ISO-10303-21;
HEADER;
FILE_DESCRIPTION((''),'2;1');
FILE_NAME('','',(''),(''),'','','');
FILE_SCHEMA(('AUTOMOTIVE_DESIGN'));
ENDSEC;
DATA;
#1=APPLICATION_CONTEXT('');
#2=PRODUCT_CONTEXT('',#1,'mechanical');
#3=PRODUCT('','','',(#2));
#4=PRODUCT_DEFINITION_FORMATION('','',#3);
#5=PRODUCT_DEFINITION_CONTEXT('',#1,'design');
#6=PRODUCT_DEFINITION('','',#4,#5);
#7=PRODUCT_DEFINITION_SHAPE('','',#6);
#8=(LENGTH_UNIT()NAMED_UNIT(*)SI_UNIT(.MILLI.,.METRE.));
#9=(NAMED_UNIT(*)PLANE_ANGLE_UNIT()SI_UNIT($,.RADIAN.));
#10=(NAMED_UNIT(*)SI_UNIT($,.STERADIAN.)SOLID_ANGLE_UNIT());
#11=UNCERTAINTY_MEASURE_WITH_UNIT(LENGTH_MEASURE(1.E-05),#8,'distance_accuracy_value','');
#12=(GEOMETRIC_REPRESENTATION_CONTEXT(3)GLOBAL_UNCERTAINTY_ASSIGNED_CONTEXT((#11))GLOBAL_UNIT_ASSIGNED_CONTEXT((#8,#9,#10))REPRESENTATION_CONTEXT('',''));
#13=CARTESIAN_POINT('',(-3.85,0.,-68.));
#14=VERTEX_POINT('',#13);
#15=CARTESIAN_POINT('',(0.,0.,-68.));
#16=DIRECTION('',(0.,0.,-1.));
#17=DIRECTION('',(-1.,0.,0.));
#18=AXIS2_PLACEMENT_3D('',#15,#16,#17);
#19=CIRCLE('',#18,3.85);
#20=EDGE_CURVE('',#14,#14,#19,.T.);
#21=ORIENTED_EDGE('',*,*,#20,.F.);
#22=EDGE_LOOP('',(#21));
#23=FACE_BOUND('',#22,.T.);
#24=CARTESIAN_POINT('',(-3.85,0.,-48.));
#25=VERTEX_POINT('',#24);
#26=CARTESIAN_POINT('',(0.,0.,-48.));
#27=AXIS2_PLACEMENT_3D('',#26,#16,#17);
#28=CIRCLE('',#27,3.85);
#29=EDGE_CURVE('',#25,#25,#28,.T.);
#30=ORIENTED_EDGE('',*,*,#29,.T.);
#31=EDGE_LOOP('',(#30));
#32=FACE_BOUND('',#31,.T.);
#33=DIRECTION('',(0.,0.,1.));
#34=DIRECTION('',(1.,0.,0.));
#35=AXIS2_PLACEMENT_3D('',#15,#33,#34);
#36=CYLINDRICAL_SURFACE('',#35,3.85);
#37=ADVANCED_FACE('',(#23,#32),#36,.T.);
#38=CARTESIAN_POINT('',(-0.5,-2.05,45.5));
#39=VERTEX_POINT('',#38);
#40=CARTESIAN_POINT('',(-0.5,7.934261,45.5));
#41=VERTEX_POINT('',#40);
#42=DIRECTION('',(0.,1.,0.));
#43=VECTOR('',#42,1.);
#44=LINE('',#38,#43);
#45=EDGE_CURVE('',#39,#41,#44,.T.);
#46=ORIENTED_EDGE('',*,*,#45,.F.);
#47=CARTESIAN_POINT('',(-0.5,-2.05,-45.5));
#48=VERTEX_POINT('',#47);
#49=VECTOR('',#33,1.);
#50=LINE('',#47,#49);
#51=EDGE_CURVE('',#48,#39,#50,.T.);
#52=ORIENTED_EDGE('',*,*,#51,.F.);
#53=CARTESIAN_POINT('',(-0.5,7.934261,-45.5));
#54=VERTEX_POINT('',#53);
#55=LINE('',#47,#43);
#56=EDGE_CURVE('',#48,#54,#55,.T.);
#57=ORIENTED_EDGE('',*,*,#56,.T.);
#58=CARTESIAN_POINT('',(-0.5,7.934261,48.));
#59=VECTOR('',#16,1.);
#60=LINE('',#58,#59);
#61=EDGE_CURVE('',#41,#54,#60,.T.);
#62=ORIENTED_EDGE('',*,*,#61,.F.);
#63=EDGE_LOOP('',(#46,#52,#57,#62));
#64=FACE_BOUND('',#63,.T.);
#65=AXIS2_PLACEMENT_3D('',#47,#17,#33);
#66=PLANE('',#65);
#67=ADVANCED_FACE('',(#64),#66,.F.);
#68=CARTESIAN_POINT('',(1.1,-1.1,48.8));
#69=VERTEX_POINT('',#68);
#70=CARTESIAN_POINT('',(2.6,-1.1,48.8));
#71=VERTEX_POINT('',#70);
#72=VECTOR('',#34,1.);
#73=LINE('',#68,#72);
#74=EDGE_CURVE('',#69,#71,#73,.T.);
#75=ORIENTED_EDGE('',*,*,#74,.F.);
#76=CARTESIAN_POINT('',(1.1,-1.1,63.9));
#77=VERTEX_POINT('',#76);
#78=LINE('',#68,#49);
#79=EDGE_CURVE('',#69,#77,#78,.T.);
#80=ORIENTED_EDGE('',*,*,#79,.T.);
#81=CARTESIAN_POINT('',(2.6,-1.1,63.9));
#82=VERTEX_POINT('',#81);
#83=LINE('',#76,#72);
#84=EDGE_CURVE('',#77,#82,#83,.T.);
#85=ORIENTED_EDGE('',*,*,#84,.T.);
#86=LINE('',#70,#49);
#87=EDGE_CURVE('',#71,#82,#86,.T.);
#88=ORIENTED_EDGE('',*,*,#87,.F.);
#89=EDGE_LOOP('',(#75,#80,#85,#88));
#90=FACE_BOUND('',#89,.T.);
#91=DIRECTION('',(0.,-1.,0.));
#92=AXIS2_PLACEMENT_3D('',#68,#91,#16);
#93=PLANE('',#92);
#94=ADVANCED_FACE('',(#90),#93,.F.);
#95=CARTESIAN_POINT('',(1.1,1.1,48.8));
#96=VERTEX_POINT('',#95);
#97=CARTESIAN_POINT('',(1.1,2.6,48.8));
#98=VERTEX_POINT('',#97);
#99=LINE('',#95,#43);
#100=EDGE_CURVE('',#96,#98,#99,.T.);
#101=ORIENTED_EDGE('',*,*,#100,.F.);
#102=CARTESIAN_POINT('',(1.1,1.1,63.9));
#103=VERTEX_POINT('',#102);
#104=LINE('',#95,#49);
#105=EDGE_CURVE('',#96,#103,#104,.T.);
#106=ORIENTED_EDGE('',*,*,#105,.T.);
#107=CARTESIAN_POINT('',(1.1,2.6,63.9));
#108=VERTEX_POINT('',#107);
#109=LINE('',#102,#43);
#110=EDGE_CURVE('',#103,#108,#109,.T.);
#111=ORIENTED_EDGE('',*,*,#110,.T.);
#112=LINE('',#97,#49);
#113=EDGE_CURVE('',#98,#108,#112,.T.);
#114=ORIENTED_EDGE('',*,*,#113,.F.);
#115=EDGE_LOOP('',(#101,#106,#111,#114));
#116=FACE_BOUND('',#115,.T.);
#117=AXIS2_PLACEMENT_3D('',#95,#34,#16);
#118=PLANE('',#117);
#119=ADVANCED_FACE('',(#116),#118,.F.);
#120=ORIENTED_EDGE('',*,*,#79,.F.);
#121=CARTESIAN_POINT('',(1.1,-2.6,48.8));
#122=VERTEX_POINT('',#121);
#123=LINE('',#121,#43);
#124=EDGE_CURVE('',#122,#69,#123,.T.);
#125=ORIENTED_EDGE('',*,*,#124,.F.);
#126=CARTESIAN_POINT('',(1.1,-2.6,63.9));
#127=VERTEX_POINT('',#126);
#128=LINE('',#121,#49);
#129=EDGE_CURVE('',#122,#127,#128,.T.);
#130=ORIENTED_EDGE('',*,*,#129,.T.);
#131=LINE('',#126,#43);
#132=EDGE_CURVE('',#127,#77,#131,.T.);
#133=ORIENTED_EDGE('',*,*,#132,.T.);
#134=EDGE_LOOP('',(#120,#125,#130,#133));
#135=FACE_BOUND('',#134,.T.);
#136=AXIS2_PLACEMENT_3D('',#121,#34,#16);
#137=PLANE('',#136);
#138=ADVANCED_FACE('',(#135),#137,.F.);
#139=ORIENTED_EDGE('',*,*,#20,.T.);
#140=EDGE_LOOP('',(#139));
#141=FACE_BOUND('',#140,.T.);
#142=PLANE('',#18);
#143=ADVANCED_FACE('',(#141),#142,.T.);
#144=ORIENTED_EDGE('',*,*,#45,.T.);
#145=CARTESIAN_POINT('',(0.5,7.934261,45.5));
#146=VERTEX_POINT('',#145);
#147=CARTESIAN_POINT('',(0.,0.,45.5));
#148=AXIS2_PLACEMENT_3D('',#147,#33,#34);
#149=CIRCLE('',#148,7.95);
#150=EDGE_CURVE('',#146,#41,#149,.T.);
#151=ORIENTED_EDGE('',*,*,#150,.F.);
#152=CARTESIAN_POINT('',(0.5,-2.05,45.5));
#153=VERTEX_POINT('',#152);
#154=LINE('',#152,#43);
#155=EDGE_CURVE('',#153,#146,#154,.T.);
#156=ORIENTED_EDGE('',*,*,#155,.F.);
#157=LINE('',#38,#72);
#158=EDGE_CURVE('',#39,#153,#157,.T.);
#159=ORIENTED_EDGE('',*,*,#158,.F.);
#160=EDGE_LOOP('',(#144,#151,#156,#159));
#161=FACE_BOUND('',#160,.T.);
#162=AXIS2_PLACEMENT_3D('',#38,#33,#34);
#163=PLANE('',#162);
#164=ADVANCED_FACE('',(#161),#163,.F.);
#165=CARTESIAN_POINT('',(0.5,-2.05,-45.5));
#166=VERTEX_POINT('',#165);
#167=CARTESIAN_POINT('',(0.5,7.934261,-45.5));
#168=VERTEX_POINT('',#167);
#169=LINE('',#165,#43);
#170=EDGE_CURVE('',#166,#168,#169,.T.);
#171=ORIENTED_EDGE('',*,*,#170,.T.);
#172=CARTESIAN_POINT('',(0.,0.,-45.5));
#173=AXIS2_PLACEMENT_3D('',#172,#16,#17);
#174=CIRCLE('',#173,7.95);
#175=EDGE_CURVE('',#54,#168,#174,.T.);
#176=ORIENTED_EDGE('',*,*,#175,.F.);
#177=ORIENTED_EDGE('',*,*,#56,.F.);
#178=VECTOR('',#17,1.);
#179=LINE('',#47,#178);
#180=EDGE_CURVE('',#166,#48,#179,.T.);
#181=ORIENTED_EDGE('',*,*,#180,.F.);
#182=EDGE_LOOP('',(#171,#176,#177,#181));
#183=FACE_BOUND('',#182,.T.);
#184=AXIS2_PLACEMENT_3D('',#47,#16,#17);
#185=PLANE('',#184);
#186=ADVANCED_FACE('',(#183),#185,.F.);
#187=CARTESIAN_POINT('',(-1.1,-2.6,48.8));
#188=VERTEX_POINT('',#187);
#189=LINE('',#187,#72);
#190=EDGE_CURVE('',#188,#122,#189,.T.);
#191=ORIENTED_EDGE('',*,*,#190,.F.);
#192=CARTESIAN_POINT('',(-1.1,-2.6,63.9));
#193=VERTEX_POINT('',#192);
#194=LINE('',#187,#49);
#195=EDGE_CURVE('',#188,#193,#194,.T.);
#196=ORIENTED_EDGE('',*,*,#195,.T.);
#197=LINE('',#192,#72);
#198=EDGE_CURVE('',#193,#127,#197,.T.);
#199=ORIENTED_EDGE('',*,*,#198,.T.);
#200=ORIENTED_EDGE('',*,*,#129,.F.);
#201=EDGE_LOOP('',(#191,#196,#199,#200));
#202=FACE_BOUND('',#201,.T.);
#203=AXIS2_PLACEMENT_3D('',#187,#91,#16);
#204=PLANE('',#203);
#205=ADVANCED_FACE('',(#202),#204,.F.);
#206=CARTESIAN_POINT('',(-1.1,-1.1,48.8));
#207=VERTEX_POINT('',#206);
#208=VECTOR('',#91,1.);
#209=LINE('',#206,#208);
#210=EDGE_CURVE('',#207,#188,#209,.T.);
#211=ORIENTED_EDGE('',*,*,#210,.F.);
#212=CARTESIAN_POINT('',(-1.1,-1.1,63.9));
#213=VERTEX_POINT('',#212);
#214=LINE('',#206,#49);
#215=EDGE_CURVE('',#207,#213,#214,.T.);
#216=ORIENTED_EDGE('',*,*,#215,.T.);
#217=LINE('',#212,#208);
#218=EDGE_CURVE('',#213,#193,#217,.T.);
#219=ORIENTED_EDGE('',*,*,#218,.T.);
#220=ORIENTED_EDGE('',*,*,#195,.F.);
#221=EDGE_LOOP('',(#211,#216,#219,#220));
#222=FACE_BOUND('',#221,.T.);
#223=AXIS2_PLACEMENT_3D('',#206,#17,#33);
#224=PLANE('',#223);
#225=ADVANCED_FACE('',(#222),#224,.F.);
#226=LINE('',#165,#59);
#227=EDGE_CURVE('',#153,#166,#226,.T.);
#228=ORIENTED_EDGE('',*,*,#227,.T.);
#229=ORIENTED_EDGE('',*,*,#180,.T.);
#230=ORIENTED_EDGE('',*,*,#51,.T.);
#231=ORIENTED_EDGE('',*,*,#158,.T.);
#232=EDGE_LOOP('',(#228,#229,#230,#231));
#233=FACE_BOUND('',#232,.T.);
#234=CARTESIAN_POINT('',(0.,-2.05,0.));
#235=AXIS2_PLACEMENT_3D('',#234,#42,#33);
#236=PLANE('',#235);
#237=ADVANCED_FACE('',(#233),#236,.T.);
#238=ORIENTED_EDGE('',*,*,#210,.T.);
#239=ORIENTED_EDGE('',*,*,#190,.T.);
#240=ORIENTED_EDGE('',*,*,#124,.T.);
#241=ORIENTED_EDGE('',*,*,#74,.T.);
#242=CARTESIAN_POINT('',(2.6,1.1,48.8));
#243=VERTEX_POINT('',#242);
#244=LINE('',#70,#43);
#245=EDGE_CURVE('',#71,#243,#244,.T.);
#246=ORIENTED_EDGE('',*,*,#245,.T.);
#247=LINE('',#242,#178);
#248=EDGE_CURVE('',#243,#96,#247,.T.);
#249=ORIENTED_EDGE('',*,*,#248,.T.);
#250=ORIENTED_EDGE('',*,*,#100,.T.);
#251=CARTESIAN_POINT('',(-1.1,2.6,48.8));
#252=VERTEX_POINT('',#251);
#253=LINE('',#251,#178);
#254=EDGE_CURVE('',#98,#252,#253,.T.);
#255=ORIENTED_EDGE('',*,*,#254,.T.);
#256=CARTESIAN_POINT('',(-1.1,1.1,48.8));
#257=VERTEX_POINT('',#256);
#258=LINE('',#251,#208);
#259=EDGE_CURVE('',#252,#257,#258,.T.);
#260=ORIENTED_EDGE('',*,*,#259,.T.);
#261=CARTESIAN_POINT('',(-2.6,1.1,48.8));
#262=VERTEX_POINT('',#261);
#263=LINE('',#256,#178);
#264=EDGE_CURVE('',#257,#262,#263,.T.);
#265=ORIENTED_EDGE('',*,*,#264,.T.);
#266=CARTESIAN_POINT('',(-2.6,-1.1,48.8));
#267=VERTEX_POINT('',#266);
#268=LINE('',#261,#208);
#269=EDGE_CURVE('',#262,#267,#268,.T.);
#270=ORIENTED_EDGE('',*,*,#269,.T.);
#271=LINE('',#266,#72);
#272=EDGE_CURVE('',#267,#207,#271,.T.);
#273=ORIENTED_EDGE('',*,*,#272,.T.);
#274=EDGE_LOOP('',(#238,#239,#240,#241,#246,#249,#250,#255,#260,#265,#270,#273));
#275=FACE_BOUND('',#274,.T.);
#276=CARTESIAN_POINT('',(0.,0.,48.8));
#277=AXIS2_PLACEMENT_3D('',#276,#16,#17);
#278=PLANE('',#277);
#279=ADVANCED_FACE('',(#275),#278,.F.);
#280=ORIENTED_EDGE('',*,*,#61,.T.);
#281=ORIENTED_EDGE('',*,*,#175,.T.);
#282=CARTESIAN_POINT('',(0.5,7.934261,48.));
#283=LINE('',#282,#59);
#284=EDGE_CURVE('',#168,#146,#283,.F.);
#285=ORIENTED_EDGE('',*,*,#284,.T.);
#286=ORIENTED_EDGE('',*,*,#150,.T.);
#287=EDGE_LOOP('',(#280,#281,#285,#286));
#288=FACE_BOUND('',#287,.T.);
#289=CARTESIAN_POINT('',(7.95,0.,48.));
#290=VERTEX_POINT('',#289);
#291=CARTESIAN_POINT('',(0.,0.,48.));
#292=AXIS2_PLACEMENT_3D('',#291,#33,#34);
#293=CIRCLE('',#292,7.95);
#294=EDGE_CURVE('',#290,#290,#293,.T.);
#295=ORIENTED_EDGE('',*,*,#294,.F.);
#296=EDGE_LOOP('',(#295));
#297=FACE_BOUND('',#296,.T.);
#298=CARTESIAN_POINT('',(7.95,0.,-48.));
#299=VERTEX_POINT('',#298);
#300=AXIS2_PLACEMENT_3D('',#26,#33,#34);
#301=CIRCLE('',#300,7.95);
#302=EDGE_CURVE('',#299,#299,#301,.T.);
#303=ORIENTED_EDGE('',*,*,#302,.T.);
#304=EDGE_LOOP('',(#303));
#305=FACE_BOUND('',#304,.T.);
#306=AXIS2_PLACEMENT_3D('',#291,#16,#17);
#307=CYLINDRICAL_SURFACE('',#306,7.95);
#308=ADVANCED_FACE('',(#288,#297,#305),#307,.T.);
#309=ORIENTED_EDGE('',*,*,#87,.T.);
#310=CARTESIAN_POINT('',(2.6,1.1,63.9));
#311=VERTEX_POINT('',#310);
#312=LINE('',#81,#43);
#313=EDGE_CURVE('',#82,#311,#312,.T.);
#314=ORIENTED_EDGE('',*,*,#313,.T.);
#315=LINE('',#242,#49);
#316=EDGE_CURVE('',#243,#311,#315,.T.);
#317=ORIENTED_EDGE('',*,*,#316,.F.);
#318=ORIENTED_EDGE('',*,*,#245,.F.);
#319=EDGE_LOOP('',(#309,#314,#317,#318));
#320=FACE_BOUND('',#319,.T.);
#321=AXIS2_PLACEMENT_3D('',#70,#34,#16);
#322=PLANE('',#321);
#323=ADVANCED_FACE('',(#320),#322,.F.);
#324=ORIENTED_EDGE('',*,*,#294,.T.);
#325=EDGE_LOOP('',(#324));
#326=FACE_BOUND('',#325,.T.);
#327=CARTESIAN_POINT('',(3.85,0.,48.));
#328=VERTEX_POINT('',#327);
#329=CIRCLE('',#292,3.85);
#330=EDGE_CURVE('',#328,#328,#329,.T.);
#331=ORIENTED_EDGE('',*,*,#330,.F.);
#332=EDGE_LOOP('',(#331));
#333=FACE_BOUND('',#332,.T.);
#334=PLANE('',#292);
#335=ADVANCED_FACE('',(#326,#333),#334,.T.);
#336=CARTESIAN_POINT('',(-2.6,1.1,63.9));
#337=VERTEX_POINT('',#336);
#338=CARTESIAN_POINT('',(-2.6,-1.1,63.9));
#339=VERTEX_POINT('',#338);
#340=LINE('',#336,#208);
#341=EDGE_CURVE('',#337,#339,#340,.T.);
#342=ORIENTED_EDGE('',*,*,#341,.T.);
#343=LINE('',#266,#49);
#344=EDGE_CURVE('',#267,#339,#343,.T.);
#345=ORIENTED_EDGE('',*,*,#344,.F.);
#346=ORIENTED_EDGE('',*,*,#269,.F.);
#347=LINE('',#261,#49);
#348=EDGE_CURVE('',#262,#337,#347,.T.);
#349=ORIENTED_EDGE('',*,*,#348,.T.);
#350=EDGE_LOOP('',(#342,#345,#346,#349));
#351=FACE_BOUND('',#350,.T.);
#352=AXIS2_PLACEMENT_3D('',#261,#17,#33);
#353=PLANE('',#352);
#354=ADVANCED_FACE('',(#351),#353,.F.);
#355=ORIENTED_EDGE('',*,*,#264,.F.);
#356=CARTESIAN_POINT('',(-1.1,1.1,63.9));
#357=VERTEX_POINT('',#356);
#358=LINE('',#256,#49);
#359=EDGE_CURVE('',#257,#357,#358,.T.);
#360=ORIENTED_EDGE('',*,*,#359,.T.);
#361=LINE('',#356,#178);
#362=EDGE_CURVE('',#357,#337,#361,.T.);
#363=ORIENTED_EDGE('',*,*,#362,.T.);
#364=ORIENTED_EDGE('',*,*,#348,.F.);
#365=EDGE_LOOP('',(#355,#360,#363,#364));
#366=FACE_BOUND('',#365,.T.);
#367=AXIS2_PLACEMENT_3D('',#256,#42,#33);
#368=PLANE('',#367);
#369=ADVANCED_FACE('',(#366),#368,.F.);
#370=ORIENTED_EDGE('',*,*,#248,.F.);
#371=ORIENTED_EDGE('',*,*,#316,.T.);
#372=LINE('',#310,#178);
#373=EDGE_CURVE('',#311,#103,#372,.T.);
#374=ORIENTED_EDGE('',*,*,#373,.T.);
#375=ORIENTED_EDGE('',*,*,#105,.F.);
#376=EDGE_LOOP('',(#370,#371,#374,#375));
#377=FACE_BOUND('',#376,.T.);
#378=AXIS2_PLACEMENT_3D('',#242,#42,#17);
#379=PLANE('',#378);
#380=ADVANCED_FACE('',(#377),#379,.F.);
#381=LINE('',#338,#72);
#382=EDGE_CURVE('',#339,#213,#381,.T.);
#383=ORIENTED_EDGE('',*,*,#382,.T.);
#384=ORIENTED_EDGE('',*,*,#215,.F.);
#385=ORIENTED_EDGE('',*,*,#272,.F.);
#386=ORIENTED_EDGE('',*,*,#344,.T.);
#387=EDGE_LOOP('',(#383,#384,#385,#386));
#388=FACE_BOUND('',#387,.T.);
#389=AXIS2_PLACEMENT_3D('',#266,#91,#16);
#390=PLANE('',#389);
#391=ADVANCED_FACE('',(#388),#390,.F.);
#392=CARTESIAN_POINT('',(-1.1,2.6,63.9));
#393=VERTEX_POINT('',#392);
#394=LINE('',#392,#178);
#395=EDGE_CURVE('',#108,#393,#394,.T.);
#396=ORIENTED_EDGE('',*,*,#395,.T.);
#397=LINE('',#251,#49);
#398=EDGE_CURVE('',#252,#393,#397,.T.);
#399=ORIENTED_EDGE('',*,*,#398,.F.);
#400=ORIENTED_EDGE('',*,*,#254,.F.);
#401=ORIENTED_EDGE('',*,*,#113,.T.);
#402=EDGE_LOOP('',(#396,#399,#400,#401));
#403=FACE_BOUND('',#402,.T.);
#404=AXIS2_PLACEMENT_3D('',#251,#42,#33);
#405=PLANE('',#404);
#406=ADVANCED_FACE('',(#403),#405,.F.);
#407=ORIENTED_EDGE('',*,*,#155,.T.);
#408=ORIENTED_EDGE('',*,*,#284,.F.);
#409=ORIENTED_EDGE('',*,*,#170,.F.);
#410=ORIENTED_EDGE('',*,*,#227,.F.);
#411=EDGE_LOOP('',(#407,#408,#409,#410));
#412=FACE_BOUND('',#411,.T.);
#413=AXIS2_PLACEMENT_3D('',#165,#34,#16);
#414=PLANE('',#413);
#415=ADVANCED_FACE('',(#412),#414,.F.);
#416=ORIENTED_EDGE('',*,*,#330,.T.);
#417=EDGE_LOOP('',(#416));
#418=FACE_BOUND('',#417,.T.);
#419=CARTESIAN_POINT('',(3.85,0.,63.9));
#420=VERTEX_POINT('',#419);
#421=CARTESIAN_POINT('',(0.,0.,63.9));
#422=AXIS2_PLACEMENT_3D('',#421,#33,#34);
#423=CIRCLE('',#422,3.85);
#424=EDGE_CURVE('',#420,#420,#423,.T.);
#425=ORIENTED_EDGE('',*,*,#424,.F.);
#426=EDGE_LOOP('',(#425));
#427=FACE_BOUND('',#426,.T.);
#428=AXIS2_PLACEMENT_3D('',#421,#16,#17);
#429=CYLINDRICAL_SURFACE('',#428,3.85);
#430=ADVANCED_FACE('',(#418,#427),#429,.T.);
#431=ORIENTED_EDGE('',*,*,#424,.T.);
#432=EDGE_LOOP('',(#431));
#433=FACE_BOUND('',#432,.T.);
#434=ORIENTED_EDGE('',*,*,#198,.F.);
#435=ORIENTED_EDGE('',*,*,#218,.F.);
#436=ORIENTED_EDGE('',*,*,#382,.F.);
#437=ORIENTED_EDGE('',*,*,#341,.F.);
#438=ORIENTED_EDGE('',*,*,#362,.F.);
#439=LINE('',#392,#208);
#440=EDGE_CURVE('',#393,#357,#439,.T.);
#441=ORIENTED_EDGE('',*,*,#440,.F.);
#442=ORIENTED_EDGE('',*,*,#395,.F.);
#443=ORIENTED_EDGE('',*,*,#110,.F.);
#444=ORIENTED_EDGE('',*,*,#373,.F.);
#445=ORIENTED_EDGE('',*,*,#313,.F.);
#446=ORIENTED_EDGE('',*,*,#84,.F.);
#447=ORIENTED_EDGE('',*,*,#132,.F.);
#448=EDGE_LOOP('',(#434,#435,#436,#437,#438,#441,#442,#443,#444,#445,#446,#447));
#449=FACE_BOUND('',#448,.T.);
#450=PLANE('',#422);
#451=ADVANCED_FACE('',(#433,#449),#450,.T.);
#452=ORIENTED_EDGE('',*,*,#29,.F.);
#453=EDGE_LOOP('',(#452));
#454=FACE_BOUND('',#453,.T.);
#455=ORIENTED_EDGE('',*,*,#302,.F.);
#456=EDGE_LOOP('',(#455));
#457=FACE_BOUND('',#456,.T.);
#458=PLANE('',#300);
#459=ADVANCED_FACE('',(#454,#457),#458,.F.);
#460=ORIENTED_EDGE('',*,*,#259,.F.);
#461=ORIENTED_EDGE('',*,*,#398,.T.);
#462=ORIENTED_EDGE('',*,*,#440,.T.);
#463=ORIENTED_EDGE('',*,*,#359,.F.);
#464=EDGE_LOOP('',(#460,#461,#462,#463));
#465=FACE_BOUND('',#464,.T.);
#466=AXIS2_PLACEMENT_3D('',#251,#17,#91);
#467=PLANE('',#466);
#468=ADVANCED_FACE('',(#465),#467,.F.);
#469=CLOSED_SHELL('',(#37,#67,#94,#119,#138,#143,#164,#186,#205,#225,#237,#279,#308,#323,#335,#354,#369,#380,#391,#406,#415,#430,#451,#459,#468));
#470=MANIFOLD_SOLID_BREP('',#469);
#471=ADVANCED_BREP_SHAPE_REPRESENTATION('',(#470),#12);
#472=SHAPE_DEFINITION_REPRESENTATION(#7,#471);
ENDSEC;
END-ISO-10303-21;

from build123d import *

# Parameters (mm, degrees)
SKETCH1_R           = 7.95
BOSS_EXTRUDE1_DEPTH = 48
SKETCH3_R           = 3.85
BOSS_EXTRUDE2_DEPTH = 15.9
BOSS_EXTRUDE3_START = 20
SKETCH8_R           = 3.85
BOSS_EXTRUDE3_DEPTH = 20
CUT_EXTRUDE2_DEPTH  = 15.1
SKETCH4_W           = 1
SKETCH4_H           = 91
CUT_EXTRUDE1_DEPTH  = 10


with BuildPart() as part:
    # Sketch1 → Boss-Extrude1 (new, symmetric)
    with BuildSketch(Plane.XY):
        Circle(SKETCH1_R)
    extrude(amount=BOSS_EXTRUDE1_DEPTH, both=True)

    # Sketch3 → Boss-Extrude2 (add)
    with BuildSketch(Plane.XY.offset(48)):
        Circle(SKETCH3_R)
    extrude(amount=BOSS_EXTRUDE2_DEPTH)

    # Sketch8 → Boss-Extrude3 (add)
    with BuildSketch(Plane(origin=(0, 0, -48), x_dir=(-1, 0, 0), z_dir=(0, 0, -1)).offset(BOSS_EXTRUDE3_START)):
        with Locations(Location((0, 0, 0), (0, 0, 180))):
            Circle(SKETCH8_R)
    extrude(amount=-BOSS_EXTRUDE3_DEPTH)

    # Sketch6 → Cut-Extrude2 (cut)
    with BuildSketch(Plane.XY.offset(63.9)):
        Polygon((-1.1, 2.6), (1.1, 2.6), (1.1, 1.1), (2.6, 1.1), (2.6, -1.1), (1.1, -1.1), (1.1, -2.6), (-1.1, -2.6), (-1.1, -1.1), (-2.6, -1.1), (-2.6, 1.1), (-1.1, 1.1), align=None)
    extrude(amount=-CUT_EXTRUDE2_DEPTH, mode=Mode.SUBTRACT)

    # Sketch4 → Cut-Extrude1 (cut)
    with BuildSketch(Plane(origin=(0, 7.95, 0), x_dir=(1, 0, 0), z_dir=(0, 1, 0))):
        Rectangle(SKETCH4_W, SKETCH4_H)
    extrude(amount=-CUT_EXTRUDE1_DEPTH, mode=Mode.SUBTRACT)


solid = part.part
